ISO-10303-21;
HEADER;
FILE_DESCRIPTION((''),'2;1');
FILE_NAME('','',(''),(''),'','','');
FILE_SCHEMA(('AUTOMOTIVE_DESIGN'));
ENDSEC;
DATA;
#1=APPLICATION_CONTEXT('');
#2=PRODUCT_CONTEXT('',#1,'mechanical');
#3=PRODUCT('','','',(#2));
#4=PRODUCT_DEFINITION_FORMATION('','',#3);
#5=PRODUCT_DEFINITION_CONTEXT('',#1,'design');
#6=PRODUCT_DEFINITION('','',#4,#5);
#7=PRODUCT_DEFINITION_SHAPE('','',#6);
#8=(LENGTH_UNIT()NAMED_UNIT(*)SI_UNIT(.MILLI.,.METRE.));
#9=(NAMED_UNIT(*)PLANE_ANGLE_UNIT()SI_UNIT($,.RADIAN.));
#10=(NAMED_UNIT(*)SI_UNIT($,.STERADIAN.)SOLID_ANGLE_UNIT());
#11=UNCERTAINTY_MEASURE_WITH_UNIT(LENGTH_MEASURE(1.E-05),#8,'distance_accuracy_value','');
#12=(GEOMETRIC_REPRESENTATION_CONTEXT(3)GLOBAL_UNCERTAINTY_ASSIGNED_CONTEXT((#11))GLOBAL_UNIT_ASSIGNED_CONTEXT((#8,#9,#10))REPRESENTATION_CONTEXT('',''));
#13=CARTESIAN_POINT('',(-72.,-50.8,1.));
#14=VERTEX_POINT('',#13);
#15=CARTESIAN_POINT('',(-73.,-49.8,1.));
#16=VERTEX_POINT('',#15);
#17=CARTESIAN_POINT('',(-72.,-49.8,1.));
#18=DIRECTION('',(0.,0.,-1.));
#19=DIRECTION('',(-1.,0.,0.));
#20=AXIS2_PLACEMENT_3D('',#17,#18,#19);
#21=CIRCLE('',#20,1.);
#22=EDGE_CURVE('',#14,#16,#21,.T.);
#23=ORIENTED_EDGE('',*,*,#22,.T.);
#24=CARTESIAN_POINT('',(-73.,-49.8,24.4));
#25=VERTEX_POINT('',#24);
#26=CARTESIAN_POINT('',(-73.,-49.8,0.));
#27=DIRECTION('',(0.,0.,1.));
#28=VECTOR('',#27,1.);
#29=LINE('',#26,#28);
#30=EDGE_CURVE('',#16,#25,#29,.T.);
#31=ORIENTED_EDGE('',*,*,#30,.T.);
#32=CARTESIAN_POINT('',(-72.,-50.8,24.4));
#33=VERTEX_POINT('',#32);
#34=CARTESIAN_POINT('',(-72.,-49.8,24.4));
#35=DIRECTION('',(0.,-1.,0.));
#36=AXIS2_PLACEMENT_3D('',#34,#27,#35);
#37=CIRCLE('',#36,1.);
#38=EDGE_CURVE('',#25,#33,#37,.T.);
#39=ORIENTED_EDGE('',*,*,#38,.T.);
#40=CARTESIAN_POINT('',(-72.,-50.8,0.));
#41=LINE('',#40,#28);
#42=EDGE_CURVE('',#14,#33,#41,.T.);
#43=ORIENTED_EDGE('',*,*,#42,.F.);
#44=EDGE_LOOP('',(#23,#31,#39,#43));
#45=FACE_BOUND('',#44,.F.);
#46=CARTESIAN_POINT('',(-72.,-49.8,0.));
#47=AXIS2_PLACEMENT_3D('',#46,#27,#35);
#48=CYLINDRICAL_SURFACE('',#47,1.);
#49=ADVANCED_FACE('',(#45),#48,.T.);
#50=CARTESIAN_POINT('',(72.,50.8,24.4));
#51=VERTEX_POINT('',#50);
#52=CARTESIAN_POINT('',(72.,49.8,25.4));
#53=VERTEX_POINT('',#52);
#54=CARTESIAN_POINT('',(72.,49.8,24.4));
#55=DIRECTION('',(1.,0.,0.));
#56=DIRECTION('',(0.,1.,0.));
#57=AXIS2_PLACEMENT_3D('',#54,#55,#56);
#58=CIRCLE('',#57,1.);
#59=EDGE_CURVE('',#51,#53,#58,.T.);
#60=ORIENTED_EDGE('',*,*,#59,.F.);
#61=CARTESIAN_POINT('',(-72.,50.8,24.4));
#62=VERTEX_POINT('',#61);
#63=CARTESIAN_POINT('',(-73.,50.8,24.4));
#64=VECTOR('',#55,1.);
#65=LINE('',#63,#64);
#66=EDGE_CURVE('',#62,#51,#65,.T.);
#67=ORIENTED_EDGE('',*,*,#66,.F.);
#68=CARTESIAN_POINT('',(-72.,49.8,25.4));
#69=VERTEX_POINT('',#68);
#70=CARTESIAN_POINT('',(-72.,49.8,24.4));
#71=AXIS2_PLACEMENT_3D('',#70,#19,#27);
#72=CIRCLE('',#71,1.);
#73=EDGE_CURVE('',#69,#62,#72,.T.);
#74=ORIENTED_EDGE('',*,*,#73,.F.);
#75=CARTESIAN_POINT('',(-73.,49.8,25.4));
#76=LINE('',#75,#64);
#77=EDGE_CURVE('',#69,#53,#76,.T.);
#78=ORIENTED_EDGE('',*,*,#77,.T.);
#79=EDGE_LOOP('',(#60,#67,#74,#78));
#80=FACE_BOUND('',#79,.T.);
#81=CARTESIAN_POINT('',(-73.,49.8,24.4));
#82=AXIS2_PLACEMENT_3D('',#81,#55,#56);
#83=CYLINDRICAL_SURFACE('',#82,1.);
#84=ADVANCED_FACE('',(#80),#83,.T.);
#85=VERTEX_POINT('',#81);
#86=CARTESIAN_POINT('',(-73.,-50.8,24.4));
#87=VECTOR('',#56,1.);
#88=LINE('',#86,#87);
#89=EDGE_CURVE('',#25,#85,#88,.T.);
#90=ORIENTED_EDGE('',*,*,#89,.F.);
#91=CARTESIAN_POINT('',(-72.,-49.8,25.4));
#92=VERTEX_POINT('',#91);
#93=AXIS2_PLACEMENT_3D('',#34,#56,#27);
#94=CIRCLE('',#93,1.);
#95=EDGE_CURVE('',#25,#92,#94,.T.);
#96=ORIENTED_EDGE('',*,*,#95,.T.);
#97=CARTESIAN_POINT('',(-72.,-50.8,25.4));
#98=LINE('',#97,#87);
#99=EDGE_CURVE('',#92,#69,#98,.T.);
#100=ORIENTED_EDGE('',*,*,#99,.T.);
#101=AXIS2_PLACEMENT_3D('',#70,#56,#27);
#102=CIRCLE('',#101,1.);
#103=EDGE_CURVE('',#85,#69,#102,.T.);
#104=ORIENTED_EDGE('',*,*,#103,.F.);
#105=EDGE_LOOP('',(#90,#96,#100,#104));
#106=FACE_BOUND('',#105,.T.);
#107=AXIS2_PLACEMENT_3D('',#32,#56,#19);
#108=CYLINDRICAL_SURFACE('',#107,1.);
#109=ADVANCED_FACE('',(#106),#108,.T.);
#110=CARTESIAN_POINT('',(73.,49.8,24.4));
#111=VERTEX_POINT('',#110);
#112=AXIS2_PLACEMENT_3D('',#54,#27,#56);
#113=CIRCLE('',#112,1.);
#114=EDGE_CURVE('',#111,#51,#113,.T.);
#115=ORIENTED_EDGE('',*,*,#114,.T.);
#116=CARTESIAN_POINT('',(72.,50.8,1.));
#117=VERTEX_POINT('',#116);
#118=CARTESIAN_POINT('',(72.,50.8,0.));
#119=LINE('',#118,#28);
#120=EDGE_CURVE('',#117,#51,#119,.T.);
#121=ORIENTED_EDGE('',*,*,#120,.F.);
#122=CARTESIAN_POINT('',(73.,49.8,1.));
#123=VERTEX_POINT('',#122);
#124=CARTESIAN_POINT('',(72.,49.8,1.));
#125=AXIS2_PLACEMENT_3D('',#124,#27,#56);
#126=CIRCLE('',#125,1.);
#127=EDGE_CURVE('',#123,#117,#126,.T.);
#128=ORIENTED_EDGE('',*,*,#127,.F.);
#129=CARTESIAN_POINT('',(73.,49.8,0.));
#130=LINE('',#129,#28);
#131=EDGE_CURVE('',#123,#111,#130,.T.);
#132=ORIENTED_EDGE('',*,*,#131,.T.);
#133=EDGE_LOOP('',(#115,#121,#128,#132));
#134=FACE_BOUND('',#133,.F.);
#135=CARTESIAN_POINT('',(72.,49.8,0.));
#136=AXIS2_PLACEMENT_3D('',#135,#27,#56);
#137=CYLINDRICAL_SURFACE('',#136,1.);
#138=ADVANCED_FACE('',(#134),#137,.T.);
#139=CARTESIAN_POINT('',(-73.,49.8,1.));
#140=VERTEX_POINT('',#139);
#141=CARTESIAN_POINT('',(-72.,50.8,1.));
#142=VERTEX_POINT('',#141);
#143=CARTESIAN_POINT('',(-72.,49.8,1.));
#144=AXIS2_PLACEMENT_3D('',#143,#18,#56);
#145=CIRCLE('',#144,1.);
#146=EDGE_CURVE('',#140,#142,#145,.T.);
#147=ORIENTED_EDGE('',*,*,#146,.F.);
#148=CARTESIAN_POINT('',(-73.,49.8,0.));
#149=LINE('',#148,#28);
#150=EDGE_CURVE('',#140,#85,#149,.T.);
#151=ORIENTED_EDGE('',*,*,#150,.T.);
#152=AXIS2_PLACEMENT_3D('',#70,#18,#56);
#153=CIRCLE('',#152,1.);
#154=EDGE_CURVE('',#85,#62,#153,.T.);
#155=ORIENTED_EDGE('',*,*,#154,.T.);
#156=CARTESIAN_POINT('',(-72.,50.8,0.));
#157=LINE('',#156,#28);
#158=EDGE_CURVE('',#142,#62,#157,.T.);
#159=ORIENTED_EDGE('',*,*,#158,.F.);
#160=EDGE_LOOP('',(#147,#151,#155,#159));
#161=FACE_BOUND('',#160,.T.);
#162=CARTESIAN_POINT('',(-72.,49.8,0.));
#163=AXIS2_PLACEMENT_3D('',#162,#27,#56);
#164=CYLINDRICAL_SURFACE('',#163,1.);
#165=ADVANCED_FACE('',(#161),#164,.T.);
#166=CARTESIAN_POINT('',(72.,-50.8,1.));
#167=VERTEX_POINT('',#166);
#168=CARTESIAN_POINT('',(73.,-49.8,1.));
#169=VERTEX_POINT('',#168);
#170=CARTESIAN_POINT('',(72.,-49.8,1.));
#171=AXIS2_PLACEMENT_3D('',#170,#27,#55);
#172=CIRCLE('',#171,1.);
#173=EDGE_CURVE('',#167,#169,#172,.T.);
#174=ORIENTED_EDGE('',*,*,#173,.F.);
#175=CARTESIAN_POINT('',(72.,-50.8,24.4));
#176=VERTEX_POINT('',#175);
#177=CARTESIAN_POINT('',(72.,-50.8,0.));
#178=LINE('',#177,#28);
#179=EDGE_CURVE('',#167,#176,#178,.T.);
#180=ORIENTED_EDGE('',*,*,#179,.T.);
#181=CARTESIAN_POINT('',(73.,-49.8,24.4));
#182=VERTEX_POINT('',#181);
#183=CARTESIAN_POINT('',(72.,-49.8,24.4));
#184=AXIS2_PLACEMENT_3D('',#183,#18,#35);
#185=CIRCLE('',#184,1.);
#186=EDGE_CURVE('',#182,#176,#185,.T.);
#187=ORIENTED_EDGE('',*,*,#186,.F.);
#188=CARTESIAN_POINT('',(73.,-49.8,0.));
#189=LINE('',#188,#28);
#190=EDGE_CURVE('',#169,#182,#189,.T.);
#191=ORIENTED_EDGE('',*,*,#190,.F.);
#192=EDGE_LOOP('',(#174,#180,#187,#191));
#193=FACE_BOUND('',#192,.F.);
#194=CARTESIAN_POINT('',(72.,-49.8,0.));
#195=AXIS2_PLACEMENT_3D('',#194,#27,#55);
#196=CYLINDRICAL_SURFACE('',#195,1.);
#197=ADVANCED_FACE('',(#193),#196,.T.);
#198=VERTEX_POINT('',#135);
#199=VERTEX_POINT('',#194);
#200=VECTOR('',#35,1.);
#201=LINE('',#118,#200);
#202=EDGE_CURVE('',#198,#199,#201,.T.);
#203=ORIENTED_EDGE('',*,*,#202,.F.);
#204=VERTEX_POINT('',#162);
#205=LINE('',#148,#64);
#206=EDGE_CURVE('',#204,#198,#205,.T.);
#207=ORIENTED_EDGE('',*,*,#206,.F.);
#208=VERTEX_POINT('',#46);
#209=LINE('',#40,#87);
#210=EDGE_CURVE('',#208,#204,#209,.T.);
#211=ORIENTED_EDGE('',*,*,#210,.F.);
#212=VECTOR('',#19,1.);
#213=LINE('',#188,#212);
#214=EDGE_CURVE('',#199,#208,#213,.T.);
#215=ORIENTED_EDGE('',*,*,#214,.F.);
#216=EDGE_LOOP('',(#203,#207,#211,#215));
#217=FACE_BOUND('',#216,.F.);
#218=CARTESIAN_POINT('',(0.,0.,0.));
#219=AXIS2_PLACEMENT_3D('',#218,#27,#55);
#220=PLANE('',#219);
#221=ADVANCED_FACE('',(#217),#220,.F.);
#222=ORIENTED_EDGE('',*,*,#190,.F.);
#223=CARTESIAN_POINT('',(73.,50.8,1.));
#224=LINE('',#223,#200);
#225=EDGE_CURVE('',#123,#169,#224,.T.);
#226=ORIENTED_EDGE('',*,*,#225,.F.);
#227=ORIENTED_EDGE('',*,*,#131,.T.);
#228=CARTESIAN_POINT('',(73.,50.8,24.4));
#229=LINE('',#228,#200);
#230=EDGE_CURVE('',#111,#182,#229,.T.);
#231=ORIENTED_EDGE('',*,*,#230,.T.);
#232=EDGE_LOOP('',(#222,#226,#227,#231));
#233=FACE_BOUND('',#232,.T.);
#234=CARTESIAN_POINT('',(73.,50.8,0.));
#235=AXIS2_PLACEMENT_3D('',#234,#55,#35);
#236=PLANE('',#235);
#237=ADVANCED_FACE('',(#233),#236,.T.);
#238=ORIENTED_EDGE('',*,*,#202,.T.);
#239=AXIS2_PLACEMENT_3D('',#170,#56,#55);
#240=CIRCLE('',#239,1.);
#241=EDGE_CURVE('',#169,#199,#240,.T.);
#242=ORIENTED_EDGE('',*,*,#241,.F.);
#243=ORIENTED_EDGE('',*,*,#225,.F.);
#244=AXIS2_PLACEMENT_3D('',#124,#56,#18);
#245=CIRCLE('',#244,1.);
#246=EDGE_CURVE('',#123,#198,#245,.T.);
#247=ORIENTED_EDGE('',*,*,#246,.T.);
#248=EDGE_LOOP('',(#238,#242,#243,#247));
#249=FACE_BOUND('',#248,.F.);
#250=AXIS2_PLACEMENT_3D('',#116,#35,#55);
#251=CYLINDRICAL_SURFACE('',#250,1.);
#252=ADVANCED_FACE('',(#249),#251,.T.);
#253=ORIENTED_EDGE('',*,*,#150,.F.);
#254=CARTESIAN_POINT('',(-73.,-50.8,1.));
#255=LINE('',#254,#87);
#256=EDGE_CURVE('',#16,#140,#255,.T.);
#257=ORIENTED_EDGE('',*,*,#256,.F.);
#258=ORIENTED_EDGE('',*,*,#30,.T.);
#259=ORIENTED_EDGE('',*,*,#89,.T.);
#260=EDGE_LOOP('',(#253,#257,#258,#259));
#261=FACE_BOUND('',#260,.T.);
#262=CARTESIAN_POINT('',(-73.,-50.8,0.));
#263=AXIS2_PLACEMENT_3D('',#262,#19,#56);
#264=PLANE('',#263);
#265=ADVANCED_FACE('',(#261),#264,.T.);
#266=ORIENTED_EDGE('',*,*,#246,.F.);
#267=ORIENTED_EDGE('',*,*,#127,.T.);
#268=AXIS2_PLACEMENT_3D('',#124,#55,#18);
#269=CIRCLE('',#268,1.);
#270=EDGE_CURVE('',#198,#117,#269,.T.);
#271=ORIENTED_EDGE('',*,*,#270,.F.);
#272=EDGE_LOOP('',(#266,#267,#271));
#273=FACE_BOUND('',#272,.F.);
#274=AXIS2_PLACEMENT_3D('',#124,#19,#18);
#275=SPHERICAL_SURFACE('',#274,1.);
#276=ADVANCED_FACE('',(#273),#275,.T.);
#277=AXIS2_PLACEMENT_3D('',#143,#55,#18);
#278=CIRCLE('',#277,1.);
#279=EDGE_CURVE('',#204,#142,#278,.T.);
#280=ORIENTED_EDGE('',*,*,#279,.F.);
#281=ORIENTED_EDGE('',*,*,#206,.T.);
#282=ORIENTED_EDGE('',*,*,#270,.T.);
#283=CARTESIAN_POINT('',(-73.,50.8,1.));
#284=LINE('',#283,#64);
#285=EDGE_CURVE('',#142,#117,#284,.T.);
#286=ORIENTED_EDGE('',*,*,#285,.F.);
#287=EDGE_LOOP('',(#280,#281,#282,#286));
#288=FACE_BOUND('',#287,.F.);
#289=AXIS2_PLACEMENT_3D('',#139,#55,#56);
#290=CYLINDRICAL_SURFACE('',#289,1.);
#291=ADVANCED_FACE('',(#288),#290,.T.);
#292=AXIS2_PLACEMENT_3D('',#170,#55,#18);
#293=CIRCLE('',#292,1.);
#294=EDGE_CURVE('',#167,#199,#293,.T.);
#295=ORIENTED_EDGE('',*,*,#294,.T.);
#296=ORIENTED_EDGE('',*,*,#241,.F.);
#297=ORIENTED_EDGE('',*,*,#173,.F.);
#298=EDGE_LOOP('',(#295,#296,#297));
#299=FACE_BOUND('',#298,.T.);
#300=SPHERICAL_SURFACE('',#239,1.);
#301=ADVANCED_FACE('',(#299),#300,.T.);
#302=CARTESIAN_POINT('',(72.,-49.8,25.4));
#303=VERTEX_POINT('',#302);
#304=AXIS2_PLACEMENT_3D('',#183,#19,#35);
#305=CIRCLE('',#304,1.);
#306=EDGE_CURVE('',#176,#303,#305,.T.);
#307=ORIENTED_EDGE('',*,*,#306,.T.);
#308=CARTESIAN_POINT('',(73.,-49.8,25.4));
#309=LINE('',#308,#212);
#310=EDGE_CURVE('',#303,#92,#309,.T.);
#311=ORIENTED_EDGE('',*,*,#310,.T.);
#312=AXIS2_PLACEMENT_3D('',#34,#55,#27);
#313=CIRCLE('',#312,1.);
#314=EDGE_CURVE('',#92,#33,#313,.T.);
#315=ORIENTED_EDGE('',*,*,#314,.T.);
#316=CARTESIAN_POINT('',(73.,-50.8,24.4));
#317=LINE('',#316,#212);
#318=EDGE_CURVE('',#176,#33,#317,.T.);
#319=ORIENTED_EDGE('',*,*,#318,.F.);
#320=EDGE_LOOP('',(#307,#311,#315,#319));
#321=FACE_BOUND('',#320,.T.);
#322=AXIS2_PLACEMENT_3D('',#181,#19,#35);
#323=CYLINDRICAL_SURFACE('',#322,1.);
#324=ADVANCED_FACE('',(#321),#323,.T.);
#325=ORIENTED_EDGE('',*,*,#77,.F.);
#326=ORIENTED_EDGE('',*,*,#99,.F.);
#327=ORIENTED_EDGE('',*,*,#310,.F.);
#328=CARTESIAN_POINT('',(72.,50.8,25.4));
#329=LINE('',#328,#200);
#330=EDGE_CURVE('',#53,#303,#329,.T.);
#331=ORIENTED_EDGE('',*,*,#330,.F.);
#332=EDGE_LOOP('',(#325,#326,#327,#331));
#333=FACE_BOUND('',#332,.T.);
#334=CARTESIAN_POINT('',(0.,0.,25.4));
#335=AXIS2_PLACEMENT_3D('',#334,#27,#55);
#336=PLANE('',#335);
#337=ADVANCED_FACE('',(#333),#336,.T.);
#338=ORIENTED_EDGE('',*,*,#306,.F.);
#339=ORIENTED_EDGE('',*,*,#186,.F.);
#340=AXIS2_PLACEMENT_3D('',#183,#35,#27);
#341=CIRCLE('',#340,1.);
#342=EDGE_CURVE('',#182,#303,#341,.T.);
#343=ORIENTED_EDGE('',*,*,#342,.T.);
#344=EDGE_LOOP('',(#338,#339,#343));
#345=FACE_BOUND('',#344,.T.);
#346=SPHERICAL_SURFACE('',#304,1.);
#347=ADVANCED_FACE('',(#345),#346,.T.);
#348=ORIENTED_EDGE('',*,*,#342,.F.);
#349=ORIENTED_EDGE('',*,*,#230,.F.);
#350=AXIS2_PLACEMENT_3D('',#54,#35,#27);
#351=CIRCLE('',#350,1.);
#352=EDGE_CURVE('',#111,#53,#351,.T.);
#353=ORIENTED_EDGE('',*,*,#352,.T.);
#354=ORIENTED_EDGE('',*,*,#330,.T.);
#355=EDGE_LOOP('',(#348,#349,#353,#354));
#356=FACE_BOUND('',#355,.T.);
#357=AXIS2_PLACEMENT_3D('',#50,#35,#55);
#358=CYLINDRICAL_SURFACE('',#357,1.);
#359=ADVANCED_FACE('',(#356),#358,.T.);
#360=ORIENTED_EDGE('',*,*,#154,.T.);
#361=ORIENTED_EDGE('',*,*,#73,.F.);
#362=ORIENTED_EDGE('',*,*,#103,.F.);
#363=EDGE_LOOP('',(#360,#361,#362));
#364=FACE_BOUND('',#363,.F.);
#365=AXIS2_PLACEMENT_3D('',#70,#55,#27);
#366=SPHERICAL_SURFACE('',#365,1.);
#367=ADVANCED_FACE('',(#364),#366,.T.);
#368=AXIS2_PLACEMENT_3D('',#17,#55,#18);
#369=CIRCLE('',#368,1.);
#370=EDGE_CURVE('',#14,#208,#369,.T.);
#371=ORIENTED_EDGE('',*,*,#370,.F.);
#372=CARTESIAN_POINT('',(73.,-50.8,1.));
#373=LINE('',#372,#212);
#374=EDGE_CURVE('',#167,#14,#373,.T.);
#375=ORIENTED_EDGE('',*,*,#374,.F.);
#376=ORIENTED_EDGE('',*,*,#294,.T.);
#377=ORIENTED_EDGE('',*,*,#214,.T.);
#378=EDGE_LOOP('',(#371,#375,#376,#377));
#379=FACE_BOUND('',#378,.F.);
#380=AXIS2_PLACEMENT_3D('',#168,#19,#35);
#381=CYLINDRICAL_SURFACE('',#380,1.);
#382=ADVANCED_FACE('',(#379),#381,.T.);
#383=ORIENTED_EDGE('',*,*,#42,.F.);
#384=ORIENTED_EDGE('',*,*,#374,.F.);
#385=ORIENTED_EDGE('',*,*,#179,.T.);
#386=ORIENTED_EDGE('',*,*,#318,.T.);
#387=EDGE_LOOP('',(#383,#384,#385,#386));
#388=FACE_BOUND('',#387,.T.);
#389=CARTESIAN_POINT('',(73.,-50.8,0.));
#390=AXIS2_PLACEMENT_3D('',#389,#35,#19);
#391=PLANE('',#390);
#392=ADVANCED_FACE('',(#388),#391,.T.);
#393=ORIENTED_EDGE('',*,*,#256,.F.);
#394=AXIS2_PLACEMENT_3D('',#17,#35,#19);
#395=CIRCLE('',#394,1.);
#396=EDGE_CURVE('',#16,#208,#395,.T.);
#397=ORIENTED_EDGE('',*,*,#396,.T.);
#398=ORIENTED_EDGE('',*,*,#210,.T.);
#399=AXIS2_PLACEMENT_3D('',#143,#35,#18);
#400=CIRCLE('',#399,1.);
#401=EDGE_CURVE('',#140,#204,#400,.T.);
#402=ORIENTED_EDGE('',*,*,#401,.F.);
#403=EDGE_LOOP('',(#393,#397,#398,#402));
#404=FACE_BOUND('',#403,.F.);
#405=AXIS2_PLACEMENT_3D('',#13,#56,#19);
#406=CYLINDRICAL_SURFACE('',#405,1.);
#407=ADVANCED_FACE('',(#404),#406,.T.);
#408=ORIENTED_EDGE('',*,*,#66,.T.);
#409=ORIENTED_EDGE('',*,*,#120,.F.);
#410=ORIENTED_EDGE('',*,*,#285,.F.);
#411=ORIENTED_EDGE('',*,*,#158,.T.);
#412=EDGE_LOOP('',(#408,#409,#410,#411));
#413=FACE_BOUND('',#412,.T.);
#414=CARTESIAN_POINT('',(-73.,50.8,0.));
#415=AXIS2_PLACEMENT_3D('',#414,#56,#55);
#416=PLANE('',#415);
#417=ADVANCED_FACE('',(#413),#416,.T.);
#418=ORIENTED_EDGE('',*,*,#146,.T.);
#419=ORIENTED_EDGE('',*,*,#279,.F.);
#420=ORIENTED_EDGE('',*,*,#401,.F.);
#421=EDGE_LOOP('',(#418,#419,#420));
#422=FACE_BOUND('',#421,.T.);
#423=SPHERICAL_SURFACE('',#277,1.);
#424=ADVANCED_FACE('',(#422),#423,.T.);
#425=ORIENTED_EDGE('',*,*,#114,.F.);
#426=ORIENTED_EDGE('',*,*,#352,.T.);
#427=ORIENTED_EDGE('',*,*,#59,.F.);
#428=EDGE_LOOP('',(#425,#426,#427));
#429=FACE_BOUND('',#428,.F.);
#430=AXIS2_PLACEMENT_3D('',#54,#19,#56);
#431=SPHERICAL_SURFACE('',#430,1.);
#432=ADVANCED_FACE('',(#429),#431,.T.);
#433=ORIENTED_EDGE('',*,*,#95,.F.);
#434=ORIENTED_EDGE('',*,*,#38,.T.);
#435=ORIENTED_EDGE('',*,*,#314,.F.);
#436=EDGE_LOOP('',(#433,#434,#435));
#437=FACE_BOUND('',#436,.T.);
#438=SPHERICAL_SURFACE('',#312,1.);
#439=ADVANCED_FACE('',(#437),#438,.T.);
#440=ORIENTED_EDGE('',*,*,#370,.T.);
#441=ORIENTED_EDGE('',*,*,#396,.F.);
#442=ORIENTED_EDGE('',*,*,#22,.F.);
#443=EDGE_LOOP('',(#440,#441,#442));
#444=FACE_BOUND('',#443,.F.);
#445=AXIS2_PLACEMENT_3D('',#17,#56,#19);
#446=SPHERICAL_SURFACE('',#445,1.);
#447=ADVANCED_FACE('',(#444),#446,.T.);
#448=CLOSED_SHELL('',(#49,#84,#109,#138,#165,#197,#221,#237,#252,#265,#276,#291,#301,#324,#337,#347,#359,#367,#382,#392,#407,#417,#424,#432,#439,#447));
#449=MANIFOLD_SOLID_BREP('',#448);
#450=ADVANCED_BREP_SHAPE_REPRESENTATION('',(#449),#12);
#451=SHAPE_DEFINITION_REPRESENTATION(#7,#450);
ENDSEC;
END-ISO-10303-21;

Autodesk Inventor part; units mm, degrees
ref_plane "YZ Plane" through (0, 0, 0) normal (1, 0, 0) x (0, 1, 0)
ref_plane "XZ Plane" through (0, 0, 0) normal (0, 1, 0) x (-1, 0, 0)
ref_plane "XY Plane" through (0, 0, 0) normal (0, 0, 1) x (1, 0, 0)
sketch "Sketch1" plane through (0, 0, 0) normal (0, 0, 1) x (1, 0, 0)
  line L0 (-73, 50.8) -> (73, 50.8)
  line L1 (73, 50.8) -> (73, -50.8)
  line L2 (73, -50.8) -> (-73, -50.8)
  line L3 (-73, -50.8) -> (-73, 50.8)
  point P0 (0, 0)
  dimension "d0" = 146
  dimension "d1" = 101.6
  dimension "d2" = 50.8
  dimension "d3" = 73
extrude "Extrusion1" add sketch "Sketch1" along normal blind 25.4
fillet "Fillet1" radius 1 12 edges at (0, 50.8, 25.4) (0, 50.8, 0) (0, -50.8, 25.4) (73, 0, 0) (-73, 0, 0) (73, 50.8, 12.7) (73, -50.8, 12.7) (73, 0, 25.4) (-73, 0, 25.4) (-73, 50.8, 12.7) (-73, -50.8, 12.7) (0, -50.8, 0)
properties part number "HDD3.5"
